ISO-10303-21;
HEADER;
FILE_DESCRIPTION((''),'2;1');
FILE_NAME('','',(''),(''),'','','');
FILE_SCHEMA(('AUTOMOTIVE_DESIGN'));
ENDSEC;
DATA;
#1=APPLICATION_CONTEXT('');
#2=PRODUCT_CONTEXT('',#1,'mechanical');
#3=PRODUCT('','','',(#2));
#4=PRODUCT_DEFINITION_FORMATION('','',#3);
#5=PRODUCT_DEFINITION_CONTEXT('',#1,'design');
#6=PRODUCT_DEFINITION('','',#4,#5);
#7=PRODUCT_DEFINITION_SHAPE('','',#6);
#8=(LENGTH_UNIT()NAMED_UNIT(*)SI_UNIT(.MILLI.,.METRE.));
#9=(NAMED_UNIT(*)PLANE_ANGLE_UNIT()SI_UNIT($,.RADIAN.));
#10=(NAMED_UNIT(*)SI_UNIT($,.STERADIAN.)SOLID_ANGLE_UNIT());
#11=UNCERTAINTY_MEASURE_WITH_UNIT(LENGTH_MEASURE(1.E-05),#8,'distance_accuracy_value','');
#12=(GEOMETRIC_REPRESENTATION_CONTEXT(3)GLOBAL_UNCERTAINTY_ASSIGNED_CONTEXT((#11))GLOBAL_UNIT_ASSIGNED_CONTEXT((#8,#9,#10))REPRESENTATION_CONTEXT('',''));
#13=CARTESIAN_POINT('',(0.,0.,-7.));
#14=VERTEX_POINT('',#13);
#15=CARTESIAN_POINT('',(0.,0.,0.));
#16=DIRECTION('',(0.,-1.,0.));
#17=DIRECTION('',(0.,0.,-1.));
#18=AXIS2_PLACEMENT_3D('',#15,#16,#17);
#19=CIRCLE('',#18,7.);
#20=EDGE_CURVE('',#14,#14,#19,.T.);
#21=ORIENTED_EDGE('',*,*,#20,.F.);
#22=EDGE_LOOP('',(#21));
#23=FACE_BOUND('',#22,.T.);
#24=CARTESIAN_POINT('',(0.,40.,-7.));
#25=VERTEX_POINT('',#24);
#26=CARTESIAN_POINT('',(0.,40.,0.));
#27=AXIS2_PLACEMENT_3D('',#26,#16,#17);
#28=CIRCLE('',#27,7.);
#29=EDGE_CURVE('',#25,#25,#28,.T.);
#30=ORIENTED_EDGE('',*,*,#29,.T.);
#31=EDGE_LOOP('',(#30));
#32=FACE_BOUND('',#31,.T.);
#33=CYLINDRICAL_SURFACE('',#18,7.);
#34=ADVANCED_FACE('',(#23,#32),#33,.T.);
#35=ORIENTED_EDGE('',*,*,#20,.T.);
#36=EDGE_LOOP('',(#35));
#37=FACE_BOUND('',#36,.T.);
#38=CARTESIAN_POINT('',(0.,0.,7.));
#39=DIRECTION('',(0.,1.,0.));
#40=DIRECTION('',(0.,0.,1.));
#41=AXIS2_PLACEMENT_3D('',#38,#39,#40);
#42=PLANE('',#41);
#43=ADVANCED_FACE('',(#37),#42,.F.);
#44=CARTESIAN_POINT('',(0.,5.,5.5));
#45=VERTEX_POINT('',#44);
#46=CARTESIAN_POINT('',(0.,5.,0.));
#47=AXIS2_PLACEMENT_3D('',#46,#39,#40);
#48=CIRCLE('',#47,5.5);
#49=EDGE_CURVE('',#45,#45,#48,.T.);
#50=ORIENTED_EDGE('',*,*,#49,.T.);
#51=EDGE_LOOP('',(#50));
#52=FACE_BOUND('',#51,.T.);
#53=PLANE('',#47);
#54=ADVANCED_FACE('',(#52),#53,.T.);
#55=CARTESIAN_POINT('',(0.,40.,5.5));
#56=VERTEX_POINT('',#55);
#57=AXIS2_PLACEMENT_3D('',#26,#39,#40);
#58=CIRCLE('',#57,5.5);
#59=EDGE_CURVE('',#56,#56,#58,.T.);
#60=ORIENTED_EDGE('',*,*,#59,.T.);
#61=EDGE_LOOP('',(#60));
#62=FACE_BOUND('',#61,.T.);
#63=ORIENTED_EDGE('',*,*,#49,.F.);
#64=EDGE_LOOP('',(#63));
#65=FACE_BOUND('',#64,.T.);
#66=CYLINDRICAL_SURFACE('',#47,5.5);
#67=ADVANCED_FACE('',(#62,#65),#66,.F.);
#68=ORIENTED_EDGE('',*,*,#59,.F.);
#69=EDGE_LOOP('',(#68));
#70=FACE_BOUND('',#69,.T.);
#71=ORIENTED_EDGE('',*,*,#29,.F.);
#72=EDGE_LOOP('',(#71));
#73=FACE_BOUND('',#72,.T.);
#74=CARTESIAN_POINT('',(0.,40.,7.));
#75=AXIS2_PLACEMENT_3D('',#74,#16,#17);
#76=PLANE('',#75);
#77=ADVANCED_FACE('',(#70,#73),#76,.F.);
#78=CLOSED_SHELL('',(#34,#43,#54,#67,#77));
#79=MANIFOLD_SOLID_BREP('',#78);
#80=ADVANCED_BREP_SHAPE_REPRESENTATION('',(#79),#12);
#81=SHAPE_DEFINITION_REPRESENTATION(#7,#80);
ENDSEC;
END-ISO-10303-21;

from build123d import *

# Parameters (mm, degrees)
SKETCH_1_W          = 7
SKETCH_1_H          = 40
SKETCH_2_R          = 5.5
CUT_EXTRUDE_1_DEPTH = 35


with BuildPart() as part:
    # 草图1 → 旋转4 (revolve)
    with BuildSketch(Plane(origin=(0, 0, 0), x_dir=(0, 0, -1), z_dir=(1, 0, 0)), mode=Mode.PRIVATE) as revolve_4_sk:
        with Locations((-3.5, 20)):
            Rectangle(SKETCH_1_W, SKETCH_1_H)
    revolve(revolve_4_sk.sketch.rotate(Axis((0, 0, 0), (0, 1, 0)), 180), axis=Axis((0, 0, 0), (0, 1, 0)))

    # 草图2 → 切除-拉伸1 (cut)
    with BuildSketch(Plane(origin=(0, 40, 0), x_dir=(1, 0, 0), z_dir=(0, 1, 0))):
        with Locations(Location((0, 0, 0), (0, 0, 270))):
            Circle(SKETCH_2_R)
    extrude(amount=-CUT_EXTRUDE_1_DEPTH, mode=Mode.SUBTRACT)


solid = part.part
